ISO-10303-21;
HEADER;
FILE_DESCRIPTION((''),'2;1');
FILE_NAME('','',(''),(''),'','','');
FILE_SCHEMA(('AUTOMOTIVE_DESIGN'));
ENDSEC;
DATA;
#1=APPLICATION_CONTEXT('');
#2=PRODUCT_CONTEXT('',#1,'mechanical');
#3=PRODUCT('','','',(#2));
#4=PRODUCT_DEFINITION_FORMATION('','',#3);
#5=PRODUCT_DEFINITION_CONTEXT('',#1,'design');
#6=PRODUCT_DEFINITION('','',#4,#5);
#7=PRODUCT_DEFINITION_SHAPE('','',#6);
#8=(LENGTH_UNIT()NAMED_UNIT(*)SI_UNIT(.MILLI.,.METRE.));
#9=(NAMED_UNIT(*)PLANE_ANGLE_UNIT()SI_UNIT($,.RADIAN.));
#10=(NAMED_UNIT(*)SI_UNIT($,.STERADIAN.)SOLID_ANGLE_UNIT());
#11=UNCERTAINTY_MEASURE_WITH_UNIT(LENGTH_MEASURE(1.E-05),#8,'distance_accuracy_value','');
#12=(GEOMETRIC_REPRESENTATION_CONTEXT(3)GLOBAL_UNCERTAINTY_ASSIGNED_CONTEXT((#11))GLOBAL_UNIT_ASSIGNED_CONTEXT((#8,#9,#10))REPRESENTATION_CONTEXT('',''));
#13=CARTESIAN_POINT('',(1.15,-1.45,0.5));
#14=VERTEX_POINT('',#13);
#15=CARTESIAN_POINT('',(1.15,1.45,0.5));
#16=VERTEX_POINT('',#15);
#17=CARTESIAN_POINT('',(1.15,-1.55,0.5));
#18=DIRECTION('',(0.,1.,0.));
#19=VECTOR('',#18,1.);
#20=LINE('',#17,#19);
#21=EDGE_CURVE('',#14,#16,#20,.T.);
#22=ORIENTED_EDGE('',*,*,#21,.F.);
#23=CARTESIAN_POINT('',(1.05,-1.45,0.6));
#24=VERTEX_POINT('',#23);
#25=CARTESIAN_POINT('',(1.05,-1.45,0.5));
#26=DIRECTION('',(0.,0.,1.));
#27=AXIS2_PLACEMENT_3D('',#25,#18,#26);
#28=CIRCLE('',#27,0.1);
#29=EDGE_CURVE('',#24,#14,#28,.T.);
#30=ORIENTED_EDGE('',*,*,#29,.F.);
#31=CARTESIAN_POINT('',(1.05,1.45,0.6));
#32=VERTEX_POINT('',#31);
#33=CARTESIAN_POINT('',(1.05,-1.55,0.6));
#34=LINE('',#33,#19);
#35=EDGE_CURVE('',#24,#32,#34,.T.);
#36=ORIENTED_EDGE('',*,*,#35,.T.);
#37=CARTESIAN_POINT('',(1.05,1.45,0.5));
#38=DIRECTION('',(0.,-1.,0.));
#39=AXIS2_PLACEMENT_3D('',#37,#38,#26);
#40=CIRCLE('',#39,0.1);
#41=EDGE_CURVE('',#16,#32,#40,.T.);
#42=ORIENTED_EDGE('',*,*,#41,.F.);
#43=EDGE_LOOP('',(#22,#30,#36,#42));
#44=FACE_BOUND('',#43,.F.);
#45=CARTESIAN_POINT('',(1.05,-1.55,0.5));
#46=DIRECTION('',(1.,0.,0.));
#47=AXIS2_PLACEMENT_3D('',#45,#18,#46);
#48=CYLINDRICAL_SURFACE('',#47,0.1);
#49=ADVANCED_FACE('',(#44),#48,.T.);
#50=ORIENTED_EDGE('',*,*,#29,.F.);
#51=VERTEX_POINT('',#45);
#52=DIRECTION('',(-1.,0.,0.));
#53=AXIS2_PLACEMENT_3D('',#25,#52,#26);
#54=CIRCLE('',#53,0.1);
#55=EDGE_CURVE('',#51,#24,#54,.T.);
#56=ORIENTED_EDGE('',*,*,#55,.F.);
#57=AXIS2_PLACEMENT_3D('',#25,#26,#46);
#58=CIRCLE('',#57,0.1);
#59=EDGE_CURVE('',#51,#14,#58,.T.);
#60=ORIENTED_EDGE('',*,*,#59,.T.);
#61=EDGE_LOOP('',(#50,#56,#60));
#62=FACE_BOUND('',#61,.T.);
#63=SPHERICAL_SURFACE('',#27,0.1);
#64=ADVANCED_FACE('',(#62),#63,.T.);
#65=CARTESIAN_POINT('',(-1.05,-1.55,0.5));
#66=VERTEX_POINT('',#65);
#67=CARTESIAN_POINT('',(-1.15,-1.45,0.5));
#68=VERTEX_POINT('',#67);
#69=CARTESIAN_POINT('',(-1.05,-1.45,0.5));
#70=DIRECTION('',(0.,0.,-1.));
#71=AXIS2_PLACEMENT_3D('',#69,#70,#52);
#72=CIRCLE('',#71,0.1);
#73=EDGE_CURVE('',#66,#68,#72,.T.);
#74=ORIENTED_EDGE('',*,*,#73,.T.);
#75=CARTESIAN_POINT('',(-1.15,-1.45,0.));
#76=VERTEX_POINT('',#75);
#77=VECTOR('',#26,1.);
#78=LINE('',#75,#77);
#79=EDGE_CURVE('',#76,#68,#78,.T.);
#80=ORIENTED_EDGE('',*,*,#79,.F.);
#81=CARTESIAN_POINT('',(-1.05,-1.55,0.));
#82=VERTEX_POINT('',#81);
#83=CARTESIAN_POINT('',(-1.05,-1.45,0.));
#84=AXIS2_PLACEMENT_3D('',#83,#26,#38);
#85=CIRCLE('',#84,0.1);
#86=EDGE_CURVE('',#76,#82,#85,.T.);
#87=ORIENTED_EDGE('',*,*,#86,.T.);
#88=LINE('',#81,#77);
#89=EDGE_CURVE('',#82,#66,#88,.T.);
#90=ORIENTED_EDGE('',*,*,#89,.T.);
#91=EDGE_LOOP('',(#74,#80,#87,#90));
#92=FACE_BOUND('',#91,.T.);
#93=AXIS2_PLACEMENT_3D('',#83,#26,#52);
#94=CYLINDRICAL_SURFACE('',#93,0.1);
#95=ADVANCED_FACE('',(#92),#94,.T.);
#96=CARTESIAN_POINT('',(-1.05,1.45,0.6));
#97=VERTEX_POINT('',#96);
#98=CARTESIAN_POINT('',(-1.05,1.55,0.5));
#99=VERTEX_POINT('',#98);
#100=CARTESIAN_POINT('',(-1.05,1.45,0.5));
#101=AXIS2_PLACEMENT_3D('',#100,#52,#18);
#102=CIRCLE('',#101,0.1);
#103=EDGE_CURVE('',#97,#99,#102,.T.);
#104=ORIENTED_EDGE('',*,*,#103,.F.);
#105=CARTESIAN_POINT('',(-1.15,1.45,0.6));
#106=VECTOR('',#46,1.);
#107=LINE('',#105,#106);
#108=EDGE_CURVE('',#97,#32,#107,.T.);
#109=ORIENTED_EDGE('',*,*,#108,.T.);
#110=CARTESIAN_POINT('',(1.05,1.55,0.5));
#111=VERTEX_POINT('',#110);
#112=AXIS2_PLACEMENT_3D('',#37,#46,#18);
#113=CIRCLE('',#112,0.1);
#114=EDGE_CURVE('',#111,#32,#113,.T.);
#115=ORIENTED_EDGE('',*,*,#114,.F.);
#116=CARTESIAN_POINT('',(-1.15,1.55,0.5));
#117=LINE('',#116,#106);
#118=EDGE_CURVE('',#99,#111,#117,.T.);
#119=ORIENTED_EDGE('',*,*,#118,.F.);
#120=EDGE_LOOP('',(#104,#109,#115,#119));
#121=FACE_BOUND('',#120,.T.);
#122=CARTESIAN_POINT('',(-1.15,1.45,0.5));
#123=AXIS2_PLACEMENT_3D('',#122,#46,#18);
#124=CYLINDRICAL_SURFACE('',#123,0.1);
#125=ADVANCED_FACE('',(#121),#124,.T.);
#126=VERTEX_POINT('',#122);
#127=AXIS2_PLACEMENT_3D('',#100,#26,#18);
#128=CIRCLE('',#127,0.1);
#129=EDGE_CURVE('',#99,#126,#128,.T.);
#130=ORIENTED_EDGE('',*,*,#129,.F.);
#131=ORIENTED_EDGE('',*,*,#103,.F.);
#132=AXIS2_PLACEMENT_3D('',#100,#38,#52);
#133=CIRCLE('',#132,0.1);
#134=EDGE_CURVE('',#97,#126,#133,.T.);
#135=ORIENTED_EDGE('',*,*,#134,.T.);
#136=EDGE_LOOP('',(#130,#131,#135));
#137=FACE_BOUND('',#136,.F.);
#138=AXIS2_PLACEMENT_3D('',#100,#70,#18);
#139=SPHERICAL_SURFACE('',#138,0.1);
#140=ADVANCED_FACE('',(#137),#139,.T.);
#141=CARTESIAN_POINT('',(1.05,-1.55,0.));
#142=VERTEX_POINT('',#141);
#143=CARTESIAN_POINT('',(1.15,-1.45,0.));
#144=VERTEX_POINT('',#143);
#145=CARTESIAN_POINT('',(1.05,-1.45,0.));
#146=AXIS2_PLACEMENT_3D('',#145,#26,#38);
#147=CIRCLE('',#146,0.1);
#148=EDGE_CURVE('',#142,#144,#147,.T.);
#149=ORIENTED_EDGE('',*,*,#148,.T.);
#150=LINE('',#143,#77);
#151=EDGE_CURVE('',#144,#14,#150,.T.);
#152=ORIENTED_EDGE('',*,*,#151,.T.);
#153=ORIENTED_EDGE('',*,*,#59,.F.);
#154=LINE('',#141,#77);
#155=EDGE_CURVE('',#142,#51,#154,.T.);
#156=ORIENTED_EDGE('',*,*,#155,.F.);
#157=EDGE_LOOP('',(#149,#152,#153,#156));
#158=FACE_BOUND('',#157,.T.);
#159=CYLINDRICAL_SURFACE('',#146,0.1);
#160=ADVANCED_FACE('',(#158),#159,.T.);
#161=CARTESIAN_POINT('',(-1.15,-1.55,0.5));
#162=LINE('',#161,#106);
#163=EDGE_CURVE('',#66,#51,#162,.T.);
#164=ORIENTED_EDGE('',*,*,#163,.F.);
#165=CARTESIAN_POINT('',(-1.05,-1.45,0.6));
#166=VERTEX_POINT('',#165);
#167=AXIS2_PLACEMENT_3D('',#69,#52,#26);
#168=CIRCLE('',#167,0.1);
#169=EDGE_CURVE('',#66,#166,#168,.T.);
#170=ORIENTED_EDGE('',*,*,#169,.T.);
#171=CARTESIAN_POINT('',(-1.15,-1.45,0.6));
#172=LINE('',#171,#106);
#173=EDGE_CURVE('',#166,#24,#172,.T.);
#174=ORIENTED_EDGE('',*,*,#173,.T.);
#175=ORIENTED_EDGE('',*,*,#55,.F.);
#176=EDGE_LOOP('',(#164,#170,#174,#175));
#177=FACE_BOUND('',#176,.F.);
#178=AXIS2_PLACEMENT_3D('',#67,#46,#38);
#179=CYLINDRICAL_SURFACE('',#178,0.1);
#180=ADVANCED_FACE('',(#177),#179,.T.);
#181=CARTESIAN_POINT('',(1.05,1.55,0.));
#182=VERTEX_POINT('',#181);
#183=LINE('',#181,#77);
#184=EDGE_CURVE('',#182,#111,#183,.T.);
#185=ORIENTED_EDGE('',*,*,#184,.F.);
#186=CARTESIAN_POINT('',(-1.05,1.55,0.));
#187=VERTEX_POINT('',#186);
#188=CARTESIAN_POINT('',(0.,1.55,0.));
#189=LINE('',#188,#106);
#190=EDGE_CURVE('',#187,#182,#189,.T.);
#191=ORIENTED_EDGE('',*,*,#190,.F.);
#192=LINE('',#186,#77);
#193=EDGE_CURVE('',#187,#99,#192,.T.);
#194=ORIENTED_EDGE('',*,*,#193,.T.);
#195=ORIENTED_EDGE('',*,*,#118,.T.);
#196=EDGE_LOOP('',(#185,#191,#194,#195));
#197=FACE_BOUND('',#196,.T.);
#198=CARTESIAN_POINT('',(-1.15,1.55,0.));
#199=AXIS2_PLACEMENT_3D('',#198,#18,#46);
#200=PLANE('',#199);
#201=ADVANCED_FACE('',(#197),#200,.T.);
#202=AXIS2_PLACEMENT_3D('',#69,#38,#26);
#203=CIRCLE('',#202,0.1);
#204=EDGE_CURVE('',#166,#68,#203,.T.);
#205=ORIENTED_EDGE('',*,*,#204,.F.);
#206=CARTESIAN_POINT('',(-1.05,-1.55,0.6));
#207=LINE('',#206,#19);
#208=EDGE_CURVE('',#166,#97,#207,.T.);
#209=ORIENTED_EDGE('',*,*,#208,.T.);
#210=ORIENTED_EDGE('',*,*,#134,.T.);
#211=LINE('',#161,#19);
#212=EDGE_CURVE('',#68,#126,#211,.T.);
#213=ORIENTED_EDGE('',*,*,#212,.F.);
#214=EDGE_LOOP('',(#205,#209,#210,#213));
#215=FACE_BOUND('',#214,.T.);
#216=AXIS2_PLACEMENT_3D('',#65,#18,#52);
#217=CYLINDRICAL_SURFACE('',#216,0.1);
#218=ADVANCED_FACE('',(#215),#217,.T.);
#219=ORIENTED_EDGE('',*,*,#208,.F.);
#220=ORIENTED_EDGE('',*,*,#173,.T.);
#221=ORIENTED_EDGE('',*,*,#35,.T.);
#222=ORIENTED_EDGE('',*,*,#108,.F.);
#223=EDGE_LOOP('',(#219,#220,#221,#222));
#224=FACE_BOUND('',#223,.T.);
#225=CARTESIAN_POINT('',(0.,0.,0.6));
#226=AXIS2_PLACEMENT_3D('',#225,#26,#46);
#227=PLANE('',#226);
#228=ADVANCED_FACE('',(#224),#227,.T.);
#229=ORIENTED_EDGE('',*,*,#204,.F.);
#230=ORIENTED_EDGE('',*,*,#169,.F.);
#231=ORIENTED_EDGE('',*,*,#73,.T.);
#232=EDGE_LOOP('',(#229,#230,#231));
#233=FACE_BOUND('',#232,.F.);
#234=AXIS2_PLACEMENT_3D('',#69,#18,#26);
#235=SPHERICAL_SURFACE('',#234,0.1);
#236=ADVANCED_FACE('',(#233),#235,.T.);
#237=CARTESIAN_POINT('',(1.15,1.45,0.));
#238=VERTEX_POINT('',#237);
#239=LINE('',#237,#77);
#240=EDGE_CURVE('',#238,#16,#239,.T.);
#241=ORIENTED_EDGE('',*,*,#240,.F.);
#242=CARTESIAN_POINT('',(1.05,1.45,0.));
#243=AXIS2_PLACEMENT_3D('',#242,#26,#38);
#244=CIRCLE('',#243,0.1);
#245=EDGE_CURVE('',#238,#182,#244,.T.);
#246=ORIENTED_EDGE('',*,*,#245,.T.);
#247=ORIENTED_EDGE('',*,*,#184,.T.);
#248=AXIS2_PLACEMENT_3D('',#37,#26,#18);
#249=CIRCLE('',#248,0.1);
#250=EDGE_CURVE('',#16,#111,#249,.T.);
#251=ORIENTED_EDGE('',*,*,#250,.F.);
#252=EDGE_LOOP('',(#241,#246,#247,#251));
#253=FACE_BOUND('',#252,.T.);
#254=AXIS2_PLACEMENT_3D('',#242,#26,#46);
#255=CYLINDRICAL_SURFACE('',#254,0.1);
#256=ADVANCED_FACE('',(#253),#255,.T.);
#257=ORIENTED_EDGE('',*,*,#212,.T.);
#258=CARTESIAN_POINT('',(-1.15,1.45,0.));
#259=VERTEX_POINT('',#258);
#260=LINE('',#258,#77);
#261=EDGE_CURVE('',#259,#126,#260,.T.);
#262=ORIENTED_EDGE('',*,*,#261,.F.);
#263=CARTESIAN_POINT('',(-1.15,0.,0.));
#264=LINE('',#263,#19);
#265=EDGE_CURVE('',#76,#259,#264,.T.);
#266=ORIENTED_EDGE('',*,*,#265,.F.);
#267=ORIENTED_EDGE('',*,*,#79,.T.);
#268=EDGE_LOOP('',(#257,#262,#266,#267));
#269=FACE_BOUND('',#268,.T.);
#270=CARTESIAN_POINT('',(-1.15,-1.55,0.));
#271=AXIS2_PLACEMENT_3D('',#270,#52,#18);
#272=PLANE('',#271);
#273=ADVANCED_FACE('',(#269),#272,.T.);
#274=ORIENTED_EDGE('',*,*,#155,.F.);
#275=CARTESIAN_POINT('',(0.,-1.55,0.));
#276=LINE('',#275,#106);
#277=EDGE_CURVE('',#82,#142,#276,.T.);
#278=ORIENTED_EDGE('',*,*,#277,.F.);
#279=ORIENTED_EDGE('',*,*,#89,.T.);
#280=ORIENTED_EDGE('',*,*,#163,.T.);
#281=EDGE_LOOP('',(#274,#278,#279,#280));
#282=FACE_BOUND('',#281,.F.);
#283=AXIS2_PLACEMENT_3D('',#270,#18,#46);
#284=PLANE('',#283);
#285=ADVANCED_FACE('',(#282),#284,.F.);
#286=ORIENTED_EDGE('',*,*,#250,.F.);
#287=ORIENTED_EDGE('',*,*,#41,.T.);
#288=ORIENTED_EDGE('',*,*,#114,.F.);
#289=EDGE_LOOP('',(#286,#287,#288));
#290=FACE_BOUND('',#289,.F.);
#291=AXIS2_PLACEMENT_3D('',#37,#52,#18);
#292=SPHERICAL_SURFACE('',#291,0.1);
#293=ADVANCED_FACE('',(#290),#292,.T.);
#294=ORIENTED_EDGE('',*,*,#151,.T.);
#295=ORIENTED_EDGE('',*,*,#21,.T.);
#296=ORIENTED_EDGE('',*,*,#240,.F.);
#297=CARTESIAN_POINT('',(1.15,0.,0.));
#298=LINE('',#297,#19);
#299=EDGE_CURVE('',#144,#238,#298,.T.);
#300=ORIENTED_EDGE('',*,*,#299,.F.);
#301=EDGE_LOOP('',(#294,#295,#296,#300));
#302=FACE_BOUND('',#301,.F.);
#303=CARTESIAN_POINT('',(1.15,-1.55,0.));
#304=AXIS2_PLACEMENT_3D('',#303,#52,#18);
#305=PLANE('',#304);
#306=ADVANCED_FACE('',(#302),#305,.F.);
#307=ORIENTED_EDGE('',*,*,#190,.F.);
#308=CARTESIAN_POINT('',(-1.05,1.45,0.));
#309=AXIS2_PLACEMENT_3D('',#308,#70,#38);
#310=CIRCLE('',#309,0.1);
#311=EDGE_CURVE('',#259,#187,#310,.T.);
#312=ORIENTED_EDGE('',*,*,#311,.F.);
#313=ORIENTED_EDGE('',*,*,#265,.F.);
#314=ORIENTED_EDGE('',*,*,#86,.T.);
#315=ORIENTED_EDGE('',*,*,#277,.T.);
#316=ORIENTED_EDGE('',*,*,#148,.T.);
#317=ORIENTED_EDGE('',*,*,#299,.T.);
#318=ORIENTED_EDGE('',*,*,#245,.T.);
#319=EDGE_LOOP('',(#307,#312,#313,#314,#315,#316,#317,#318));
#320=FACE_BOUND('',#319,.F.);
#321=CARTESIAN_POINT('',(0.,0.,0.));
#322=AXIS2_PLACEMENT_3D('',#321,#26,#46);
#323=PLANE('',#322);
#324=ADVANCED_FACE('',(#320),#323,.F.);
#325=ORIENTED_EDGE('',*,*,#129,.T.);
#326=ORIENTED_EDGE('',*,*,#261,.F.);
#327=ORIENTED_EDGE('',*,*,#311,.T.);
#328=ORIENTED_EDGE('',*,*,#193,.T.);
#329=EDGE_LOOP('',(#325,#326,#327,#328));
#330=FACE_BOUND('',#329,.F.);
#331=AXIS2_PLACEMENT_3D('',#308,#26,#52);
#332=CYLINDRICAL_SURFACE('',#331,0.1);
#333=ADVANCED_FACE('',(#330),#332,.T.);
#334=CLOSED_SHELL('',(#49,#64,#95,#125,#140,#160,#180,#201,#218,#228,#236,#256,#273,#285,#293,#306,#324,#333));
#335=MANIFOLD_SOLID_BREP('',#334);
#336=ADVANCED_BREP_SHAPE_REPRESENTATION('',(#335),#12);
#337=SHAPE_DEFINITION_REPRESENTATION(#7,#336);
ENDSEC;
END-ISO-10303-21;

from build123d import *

# Parameters (mm, degrees)
SKETCH_W  = 2.3
SKETCH_H  = 3.1
PAD_DEPTH = 0.6
FILLET_R  = 0.1


with BuildPart() as part:
    # Sketch → Pad (new body)
    with BuildSketch(Plane.XY):
        Rectangle(SKETCH_W, SKETCH_H)
    extrude(amount=PAD_DEPTH)

    # Fillet
    fillet_edges = [part.edges().sort_by_distance(p)[0] for p in [
        (-1.15, 1.55, 0.3),
        (0, 1.55, 0.6),
        (-1.15, 0, 0.6),
        (1.15, 1.55, 0.3),
        (1.15, 0, 0.6),
        (0, -1.55, 0.6),
        (1.15, -1.55, 0.3),
        (-1.15, -1.55, 0.3),
    ]]
    fillet(fillet_edges, radius=FILLET_R)


solid = part.part
